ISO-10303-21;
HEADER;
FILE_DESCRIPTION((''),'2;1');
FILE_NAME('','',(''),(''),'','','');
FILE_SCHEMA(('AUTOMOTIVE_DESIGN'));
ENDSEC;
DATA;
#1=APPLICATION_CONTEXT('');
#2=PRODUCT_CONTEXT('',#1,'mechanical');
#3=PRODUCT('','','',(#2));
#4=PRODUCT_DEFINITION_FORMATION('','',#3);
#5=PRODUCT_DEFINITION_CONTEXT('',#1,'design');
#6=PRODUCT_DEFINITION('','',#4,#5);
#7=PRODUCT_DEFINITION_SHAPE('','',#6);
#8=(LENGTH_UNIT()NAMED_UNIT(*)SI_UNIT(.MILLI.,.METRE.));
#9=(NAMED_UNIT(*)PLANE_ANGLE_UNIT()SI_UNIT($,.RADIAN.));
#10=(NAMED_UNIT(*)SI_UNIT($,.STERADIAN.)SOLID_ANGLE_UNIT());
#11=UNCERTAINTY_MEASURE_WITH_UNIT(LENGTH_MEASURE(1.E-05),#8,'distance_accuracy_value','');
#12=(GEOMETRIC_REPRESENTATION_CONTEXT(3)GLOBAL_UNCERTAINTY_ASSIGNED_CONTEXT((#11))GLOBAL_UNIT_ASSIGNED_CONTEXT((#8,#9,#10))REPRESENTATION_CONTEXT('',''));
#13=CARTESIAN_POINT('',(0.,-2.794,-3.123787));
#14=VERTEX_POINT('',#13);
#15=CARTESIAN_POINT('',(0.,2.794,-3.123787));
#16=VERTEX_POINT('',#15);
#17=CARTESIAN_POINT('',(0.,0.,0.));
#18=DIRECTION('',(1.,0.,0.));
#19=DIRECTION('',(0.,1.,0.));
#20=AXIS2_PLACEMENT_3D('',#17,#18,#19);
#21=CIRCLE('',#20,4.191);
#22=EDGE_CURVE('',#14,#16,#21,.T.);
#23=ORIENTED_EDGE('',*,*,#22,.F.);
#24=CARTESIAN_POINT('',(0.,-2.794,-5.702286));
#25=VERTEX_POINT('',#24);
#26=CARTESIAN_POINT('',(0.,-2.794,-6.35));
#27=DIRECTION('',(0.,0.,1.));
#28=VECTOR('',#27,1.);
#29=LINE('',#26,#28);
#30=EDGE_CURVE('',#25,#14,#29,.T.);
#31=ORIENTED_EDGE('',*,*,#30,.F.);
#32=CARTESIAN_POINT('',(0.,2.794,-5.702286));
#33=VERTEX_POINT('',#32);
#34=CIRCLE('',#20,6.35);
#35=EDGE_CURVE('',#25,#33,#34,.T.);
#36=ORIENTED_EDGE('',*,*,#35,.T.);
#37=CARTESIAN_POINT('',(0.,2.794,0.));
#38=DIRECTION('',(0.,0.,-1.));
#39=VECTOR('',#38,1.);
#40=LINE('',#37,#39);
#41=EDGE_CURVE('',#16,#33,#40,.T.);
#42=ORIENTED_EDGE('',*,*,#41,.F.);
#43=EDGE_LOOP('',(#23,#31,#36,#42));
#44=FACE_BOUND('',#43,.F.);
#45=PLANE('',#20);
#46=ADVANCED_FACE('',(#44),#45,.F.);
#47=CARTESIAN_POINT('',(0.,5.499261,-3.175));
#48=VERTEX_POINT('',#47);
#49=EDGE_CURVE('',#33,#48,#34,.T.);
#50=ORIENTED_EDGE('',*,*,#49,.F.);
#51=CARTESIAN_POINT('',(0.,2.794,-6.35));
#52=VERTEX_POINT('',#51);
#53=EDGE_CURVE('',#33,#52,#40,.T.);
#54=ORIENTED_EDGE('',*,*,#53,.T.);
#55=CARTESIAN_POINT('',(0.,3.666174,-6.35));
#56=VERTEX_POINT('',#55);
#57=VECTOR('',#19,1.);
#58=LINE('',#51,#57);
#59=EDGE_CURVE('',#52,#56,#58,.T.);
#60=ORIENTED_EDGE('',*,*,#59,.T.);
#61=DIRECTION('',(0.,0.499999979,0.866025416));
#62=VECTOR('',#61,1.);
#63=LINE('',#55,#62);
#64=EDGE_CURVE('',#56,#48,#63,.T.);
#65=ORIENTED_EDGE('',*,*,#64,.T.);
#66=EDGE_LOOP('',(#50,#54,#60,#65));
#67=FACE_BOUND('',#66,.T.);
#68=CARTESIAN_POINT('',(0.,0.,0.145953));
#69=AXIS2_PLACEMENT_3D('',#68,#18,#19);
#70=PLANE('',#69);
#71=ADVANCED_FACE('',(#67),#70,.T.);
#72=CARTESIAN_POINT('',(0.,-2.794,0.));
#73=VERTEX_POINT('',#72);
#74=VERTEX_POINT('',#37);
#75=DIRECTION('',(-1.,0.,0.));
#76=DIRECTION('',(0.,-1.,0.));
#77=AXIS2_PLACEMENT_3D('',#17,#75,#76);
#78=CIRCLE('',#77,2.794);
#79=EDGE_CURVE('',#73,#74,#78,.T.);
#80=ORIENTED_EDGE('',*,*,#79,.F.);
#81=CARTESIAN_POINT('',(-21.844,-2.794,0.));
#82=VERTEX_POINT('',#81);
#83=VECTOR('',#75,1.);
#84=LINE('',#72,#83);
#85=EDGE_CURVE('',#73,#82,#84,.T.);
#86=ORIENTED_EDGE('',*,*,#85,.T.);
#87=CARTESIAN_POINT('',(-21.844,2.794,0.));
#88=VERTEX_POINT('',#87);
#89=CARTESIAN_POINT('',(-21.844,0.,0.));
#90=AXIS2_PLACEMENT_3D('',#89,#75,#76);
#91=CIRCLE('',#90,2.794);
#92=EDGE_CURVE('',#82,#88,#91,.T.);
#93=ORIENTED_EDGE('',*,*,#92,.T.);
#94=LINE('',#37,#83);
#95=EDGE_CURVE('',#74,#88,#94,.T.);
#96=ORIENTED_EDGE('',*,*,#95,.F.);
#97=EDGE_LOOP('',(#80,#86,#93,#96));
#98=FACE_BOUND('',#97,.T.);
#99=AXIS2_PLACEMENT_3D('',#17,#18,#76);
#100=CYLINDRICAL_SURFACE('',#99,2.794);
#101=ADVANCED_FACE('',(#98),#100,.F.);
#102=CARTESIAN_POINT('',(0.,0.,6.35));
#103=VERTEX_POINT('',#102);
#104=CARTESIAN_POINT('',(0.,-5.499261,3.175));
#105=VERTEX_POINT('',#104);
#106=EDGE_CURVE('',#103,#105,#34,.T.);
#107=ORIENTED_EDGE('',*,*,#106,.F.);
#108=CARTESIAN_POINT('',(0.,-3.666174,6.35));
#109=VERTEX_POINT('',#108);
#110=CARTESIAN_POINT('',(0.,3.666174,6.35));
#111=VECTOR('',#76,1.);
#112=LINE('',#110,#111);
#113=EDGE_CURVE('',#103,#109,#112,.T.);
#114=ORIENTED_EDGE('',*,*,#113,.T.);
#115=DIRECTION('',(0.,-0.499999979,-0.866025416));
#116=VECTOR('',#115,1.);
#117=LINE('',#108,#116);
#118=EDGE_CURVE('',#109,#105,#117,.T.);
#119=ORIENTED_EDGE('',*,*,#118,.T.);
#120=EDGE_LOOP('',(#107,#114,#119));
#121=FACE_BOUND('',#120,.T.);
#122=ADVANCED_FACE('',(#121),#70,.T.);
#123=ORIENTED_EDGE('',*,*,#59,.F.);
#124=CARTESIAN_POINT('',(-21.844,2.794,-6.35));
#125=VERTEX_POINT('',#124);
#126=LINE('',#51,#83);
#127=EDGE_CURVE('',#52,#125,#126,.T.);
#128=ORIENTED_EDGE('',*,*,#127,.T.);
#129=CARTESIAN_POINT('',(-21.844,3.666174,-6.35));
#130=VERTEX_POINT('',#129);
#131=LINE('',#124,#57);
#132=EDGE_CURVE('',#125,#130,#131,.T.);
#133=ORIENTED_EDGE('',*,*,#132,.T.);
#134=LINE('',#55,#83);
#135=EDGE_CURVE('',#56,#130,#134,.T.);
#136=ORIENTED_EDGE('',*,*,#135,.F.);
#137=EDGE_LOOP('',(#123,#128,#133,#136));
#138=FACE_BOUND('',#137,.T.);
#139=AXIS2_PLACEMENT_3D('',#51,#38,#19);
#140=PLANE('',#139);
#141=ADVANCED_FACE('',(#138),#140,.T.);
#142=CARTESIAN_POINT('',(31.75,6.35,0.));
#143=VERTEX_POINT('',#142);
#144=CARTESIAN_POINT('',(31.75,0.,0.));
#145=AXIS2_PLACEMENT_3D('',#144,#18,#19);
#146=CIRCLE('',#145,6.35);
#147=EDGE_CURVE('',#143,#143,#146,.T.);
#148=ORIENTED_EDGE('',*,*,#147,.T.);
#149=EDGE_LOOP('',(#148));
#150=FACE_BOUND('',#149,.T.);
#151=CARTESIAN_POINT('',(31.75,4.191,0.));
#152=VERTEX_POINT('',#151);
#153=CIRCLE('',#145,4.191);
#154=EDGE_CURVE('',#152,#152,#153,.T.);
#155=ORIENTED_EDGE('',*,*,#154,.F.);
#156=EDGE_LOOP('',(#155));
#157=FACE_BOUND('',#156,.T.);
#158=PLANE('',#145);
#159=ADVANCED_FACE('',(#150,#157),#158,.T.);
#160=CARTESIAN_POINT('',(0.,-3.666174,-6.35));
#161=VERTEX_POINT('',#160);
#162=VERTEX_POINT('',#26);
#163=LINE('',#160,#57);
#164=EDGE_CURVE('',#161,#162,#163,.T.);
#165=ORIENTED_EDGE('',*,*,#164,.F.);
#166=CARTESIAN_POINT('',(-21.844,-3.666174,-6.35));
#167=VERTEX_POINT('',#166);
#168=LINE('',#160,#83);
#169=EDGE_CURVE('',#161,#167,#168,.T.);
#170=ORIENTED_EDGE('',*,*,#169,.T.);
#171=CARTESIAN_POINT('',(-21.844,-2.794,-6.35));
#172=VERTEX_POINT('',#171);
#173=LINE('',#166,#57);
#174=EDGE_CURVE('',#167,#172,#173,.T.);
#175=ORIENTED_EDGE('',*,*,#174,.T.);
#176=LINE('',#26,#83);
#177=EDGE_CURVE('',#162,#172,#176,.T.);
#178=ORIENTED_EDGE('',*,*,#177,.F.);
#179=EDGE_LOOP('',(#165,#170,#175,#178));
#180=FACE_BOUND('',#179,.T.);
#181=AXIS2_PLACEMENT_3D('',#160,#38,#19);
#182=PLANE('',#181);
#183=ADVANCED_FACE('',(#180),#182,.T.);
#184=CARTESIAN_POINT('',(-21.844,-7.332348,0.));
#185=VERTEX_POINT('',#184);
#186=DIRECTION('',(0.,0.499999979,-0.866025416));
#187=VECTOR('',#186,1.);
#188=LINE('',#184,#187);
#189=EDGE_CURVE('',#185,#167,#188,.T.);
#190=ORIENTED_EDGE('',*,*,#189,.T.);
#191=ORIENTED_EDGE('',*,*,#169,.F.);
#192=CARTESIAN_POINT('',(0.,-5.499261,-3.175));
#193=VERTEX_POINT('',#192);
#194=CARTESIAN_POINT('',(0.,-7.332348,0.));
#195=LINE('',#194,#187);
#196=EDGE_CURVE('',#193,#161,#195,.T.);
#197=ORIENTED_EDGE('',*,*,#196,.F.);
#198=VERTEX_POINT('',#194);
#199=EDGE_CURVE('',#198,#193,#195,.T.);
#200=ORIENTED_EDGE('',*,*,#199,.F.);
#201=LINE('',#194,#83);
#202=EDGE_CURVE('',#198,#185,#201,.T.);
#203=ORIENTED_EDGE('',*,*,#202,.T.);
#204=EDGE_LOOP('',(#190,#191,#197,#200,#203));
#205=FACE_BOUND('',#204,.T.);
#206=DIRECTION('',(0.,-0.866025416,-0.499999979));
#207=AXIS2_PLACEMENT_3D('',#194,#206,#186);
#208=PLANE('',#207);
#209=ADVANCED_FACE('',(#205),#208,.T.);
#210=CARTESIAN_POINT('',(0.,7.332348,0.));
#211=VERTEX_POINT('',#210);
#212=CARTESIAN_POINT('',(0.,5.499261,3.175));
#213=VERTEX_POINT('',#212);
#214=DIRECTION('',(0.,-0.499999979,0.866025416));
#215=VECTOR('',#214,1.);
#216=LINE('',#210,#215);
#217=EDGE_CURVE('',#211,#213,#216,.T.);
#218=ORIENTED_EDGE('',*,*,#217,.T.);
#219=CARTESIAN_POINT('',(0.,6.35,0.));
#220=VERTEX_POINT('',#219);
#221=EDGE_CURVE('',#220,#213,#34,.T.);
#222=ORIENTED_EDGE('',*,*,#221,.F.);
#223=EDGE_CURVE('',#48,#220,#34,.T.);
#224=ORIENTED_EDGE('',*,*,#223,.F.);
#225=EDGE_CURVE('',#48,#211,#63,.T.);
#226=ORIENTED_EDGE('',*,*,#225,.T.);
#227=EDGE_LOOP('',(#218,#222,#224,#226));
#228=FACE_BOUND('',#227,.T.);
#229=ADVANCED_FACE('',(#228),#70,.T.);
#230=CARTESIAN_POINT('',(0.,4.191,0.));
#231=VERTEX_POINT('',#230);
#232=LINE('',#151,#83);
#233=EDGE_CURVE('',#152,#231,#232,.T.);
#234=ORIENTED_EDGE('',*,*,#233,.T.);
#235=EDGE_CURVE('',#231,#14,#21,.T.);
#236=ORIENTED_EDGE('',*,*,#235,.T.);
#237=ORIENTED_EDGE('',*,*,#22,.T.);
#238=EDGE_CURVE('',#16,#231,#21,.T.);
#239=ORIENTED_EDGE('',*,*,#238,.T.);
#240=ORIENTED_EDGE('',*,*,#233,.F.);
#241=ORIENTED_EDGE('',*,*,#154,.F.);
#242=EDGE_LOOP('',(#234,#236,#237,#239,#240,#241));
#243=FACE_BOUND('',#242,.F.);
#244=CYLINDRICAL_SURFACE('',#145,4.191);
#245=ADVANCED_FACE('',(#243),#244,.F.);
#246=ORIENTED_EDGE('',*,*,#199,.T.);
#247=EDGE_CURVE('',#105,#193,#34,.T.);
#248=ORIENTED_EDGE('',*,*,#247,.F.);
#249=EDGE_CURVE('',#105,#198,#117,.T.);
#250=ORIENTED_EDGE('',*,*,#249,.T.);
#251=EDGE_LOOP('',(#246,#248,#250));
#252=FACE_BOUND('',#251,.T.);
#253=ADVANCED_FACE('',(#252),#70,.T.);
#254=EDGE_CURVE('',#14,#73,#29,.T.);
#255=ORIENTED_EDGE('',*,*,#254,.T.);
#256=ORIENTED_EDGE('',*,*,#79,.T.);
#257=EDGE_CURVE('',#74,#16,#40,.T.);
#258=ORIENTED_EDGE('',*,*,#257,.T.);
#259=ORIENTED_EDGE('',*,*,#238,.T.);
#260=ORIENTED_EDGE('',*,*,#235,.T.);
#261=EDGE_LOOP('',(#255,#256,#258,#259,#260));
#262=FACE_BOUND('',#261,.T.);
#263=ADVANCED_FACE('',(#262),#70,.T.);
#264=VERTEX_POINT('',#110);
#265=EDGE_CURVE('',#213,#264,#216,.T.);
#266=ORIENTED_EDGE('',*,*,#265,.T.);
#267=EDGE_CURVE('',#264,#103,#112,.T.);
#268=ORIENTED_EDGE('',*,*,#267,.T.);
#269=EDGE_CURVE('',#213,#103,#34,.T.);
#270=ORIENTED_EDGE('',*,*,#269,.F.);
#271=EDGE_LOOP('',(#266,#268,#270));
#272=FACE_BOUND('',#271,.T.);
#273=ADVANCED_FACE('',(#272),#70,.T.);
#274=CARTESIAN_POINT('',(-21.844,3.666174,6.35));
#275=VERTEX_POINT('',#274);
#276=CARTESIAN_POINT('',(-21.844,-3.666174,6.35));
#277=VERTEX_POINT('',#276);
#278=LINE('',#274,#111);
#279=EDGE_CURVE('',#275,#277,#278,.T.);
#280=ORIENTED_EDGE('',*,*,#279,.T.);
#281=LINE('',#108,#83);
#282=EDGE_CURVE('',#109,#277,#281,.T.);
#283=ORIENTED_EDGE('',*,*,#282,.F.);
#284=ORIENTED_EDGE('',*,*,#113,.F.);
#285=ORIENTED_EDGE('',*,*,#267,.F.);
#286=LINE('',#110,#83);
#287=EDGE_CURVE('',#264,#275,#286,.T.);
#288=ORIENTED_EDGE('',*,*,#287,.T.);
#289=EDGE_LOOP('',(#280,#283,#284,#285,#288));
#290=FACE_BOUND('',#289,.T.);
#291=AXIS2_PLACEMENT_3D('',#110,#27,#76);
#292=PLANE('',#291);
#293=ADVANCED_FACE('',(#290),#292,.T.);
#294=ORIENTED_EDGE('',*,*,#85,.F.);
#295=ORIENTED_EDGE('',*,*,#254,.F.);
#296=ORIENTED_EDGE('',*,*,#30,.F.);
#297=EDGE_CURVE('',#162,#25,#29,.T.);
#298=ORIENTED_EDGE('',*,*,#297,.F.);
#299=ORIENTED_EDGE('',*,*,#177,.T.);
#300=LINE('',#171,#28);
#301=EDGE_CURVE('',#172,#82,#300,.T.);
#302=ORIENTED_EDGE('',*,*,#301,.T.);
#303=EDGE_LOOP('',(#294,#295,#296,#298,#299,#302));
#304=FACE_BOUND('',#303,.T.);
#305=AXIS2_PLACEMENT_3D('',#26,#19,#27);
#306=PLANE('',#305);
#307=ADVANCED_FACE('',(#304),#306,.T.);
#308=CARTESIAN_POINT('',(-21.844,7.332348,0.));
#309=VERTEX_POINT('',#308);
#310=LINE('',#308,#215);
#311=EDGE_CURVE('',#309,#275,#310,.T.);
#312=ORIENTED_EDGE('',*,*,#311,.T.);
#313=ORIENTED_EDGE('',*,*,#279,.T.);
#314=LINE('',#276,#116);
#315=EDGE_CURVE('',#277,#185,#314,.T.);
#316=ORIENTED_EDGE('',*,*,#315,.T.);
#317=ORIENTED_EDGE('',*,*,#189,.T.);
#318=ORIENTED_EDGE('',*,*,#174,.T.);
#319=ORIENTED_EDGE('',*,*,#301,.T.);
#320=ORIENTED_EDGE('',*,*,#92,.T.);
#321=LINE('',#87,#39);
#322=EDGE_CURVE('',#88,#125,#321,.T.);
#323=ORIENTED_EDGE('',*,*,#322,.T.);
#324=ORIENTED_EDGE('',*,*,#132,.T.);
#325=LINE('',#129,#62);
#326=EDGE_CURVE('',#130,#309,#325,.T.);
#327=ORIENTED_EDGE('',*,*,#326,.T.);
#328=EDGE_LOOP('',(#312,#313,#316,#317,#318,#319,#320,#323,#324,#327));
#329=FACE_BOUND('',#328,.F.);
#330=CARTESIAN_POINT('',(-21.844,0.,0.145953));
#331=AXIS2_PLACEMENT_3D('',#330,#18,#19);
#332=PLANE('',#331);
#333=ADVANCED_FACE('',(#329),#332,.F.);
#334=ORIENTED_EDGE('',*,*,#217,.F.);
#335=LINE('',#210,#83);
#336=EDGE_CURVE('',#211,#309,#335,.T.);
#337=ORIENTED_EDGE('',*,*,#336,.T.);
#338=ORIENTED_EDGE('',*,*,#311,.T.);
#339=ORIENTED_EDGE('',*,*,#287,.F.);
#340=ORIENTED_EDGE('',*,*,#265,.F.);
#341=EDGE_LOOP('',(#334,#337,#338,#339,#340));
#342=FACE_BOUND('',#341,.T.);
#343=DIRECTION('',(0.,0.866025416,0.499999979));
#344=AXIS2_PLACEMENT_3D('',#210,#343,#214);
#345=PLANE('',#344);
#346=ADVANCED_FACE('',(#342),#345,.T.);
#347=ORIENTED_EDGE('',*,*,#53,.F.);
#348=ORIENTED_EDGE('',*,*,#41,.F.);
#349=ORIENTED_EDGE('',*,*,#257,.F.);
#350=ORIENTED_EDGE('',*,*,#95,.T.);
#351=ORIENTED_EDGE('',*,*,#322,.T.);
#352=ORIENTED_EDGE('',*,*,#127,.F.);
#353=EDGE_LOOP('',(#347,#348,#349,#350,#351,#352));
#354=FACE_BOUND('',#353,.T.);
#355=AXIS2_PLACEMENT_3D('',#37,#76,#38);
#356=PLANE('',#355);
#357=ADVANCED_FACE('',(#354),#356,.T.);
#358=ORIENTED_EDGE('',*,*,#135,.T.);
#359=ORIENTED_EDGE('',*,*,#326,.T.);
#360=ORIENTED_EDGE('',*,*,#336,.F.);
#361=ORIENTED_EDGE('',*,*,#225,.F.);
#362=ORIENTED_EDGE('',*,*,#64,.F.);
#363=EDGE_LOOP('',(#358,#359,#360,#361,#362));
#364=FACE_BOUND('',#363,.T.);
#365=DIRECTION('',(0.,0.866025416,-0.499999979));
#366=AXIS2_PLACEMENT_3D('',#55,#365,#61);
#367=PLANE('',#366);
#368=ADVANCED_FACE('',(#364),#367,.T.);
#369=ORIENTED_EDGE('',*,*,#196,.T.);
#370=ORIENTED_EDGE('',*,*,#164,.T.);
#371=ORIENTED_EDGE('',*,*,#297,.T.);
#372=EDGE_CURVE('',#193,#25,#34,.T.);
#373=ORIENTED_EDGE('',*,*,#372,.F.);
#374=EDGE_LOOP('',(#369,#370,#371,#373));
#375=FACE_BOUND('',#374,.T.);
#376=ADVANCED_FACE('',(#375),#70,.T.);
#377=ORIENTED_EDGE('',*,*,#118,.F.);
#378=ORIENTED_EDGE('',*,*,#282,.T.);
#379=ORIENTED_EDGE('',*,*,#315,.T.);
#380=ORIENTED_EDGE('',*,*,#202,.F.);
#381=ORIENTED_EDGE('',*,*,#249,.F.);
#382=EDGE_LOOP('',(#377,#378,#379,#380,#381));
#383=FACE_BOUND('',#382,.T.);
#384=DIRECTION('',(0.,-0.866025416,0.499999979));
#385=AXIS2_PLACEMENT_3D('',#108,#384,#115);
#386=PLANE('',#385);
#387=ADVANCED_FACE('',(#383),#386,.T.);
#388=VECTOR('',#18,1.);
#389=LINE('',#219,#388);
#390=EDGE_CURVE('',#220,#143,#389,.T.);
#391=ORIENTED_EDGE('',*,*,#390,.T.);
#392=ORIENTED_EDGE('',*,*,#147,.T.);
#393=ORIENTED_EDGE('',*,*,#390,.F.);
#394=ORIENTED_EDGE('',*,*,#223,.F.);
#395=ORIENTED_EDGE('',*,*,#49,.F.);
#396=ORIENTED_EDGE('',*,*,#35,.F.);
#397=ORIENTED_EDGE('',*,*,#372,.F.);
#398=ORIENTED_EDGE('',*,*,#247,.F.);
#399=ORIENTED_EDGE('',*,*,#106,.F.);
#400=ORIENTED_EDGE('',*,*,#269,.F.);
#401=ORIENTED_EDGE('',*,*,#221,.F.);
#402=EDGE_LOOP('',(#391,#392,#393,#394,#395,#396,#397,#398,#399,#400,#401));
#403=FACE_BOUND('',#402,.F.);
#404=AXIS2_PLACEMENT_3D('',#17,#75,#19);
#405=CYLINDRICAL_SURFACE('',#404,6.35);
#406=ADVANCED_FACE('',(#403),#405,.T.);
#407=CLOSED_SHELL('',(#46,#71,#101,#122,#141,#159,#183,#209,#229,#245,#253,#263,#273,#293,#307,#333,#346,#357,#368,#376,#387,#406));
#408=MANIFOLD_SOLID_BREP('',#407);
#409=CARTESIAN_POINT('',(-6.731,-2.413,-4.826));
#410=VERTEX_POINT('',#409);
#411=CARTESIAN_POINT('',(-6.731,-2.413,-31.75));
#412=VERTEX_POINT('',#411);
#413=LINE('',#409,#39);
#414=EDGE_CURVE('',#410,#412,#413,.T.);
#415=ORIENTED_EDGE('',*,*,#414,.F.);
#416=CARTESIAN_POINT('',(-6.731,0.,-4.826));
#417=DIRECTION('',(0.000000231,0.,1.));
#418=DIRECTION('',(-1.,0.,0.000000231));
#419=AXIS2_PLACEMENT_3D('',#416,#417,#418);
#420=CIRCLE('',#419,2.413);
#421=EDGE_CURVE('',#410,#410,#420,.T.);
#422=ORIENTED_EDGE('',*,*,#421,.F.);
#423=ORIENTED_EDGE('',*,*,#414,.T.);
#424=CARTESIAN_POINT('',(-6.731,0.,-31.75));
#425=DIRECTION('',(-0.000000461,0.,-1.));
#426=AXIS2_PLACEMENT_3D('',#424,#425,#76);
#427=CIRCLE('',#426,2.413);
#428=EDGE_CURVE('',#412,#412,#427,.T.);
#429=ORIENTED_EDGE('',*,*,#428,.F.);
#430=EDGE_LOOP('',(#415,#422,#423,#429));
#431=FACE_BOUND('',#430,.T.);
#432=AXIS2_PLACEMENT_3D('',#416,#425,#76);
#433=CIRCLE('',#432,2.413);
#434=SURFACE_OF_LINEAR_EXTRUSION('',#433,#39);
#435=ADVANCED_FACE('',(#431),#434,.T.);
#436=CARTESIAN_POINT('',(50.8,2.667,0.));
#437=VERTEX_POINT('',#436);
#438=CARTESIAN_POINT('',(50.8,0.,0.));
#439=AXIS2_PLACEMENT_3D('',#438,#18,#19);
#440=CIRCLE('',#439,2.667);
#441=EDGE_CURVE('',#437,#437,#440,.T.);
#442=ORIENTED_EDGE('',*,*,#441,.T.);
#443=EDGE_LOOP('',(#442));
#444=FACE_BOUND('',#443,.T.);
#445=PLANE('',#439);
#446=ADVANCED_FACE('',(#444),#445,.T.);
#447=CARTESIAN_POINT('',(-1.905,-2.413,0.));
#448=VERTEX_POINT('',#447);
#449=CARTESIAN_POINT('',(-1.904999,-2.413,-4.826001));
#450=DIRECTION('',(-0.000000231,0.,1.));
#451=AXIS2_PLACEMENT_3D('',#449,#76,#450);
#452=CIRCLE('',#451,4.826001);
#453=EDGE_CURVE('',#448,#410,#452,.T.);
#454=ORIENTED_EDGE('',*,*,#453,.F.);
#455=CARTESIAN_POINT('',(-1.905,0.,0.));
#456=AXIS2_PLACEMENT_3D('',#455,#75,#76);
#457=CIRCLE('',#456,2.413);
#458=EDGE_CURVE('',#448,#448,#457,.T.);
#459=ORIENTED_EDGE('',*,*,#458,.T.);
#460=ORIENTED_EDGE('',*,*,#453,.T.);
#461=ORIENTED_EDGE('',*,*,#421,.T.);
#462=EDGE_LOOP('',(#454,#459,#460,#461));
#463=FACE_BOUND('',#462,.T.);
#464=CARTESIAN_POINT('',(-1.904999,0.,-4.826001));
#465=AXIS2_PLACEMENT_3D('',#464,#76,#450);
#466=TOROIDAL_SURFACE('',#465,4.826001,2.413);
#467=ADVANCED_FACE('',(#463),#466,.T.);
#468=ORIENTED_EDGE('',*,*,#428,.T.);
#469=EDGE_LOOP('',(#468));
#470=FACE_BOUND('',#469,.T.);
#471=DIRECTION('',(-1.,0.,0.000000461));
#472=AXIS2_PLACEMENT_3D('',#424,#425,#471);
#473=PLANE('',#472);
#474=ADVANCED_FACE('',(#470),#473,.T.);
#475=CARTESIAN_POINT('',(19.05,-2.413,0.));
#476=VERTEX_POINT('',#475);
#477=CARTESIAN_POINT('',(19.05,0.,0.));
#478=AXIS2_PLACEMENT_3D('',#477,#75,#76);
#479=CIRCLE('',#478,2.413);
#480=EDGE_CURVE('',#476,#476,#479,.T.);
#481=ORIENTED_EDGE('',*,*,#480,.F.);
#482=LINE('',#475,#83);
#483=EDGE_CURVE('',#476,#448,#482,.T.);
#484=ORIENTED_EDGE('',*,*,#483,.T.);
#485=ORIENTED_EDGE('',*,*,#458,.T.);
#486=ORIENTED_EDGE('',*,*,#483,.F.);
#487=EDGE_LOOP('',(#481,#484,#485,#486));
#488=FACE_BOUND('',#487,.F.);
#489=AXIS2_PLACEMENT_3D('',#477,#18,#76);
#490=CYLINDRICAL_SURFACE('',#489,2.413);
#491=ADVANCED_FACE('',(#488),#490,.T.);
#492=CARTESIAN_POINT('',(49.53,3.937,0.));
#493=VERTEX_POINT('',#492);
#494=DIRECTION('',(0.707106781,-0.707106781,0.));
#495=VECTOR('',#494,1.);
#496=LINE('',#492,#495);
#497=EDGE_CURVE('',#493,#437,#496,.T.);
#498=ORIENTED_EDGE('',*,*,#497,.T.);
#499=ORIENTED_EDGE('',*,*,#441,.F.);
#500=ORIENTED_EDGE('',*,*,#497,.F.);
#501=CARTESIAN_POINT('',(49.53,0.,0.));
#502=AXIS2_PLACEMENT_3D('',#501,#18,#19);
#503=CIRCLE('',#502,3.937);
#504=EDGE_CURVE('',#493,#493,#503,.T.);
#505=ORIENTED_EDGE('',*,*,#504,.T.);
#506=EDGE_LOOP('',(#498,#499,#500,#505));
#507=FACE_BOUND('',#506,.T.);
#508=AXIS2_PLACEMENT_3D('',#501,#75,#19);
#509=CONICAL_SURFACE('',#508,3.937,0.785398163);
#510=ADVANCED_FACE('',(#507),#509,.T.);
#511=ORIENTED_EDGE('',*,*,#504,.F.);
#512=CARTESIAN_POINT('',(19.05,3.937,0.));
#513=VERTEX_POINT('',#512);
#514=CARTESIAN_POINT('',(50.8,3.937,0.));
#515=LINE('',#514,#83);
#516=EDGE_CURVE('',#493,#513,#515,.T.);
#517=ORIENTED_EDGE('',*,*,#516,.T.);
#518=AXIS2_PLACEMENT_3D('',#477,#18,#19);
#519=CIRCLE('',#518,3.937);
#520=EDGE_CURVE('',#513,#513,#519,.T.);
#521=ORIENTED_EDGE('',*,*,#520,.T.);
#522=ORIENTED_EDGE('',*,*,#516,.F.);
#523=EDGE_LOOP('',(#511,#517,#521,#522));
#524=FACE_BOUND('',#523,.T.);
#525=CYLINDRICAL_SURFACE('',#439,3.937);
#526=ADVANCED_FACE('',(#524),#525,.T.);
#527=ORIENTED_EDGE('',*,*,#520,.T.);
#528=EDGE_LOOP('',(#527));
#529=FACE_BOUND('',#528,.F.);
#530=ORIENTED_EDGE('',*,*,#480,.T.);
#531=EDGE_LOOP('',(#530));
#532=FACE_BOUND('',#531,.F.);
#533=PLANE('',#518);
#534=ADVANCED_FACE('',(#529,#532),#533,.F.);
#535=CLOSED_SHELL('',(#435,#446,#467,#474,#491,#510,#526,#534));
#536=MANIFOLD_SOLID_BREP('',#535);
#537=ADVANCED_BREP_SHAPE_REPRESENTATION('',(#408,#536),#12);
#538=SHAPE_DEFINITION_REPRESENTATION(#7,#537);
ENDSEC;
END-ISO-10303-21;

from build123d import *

# Parameters (mm, degrees)
F0_R       = 6.35
F1_DEPTH   = 31.75
F2_R       = 4.191
F3_DEPTH   = 31.751
F5_R       = 3.937
F6_DEPTH   = 31.75
F8_DEPTH   = 21.844
F9_R       = 2.413
F10_DEPTH  = 20.955
F10_FACE_R = 2.413
F13_SIZE   = 1.27


with BuildPart() as f1:
    # F0 (on Right) → F1 (new body)
    with BuildSketch(Plane.YZ):
        Circle(F0_R)
    extrude(amount=F1_DEPTH)

    # F2 (on face) → F3 (cut, through all)
    with BuildSketch(Plane.YZ.offset(31.75)):
        Circle(F2_R)
    extrude(amount=-F3_DEPTH, mode=Mode.SUBTRACT)

    # F7 (on Right) → F8 (join)
    with BuildSketch(Plane.YZ):
        with BuildLine():
            Line((3.666174, 6.35), (-3.666174, 6.35))
            Line((-3.666174, 6.35), (-7.332348, 0))
            Line((-7.332348, 0), (-3.666174, -6.35))
            Line((-3.666174, -6.35), (-2.794, -6.35))
            Line((-2.794, -6.35), (-2.794, 0))
            ThreePointArc((-2.794, 0), (0, 2.794), (2.794, 0))
            Line((2.794, 0), (2.794, -6.35))
            Line((2.794, -6.35), (3.666174, -6.35))
            Line((3.666174, -6.35), (7.332348, 0))
            Line((7.332348, 0), (3.666174, 6.35))
        make_face()
    extrude(amount=-F8_DEPTH)


with BuildPart() as f6:
    # F5 (on offset) → F6 (new body)
    with BuildSketch(Plane.YZ.offset(50.8)):
        Circle(F5_R)
    extrude(amount=-F6_DEPTH)

    # F9 (on face) → F10 (join)
    with BuildSketch(Plane(origin=(19.05, 0, 0), x_dir=(0, -1, 0), z_dir=(-1, 0, 0))):
        Circle(F9_R)
    extrude(amount=F10_DEPTH)

    # F12: sweep along a path in F11
    with BuildLine(Plane.XZ) as f12_path:
        ThreePointArc((-1.905, 0), (-5.317497, -1.413503), (-6.731, -4.826))
        Line((-6.731, -4.826), (-6.731, -31.75))
    # F10_face (on face) → F12 (sweep)
    with BuildSketch(Plane(origin=(-1.905, 0, 0), x_dir=(0, -1, 0), z_dir=(-1, 0, 0))):
        Circle(F10_FACE_R)
    sweep(path=f12_path.line)

    # F13
    f13_edges = [f6.edges().sort_by_distance(p)[0] for p in [
        (50.8, -3.937, 0),
    ]]
    chamfer(f13_edges, length=F13_SIZE)


solid = Compound([f1.part, f6.part])
